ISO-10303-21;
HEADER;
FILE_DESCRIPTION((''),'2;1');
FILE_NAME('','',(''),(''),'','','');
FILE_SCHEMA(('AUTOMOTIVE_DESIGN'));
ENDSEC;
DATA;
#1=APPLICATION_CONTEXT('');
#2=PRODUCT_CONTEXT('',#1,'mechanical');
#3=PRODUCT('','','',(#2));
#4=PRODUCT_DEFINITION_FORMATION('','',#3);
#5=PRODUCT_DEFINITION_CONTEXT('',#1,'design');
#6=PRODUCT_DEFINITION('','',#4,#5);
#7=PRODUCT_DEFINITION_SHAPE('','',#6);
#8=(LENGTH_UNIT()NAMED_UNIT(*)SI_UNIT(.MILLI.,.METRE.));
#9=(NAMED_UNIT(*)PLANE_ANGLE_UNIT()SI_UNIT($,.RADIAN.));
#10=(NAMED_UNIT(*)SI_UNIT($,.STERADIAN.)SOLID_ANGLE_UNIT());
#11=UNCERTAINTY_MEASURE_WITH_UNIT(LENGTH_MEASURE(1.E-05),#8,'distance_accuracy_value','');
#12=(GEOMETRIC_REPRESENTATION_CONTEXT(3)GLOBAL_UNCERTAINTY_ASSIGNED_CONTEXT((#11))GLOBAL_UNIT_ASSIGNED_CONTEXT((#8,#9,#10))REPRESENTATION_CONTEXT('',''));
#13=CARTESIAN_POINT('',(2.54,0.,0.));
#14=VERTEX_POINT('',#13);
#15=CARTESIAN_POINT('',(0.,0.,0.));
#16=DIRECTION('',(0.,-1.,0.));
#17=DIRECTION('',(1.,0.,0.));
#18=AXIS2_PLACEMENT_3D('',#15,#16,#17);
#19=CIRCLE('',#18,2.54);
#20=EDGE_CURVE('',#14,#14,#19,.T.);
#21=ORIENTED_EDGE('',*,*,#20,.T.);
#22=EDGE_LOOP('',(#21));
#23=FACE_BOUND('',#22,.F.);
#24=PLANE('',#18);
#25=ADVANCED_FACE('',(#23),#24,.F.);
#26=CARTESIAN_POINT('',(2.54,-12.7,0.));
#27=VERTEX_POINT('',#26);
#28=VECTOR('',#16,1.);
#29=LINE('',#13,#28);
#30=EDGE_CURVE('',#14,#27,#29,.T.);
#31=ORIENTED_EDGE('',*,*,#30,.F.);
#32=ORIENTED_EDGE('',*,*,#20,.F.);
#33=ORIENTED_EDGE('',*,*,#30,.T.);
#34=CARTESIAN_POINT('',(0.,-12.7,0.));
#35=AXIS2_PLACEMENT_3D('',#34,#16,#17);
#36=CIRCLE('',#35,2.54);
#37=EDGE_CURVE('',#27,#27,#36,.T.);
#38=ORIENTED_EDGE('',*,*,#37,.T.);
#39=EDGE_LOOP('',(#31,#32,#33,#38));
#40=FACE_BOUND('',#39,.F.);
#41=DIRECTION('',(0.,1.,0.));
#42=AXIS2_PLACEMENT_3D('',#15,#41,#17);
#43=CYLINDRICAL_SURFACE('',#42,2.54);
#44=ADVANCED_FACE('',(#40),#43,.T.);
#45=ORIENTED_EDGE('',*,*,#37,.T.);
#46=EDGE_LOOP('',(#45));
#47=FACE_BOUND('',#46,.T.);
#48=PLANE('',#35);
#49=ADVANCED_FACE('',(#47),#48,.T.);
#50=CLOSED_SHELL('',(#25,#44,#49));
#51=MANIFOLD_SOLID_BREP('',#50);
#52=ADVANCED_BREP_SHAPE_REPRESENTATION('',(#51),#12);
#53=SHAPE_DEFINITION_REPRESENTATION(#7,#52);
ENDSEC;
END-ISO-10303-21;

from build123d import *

# Parameters (mm, degrees)
F0_R     = 2.54
F1_DEPTH = 12.7
F2_DEPTH = 12.7


with BuildPart() as f1:
    # F0 (on Front) → F1 (new body)
    with BuildSketch(Plane.XZ):
        Circle(F0_R)
    extrude(amount=F1_DEPTH)

    # F0 (on Front) → F2 (join)
    with BuildSketch(Plane.XZ):
        Circle(F0_R)
    extrude(amount=F2_DEPTH)


solid = f1.part
